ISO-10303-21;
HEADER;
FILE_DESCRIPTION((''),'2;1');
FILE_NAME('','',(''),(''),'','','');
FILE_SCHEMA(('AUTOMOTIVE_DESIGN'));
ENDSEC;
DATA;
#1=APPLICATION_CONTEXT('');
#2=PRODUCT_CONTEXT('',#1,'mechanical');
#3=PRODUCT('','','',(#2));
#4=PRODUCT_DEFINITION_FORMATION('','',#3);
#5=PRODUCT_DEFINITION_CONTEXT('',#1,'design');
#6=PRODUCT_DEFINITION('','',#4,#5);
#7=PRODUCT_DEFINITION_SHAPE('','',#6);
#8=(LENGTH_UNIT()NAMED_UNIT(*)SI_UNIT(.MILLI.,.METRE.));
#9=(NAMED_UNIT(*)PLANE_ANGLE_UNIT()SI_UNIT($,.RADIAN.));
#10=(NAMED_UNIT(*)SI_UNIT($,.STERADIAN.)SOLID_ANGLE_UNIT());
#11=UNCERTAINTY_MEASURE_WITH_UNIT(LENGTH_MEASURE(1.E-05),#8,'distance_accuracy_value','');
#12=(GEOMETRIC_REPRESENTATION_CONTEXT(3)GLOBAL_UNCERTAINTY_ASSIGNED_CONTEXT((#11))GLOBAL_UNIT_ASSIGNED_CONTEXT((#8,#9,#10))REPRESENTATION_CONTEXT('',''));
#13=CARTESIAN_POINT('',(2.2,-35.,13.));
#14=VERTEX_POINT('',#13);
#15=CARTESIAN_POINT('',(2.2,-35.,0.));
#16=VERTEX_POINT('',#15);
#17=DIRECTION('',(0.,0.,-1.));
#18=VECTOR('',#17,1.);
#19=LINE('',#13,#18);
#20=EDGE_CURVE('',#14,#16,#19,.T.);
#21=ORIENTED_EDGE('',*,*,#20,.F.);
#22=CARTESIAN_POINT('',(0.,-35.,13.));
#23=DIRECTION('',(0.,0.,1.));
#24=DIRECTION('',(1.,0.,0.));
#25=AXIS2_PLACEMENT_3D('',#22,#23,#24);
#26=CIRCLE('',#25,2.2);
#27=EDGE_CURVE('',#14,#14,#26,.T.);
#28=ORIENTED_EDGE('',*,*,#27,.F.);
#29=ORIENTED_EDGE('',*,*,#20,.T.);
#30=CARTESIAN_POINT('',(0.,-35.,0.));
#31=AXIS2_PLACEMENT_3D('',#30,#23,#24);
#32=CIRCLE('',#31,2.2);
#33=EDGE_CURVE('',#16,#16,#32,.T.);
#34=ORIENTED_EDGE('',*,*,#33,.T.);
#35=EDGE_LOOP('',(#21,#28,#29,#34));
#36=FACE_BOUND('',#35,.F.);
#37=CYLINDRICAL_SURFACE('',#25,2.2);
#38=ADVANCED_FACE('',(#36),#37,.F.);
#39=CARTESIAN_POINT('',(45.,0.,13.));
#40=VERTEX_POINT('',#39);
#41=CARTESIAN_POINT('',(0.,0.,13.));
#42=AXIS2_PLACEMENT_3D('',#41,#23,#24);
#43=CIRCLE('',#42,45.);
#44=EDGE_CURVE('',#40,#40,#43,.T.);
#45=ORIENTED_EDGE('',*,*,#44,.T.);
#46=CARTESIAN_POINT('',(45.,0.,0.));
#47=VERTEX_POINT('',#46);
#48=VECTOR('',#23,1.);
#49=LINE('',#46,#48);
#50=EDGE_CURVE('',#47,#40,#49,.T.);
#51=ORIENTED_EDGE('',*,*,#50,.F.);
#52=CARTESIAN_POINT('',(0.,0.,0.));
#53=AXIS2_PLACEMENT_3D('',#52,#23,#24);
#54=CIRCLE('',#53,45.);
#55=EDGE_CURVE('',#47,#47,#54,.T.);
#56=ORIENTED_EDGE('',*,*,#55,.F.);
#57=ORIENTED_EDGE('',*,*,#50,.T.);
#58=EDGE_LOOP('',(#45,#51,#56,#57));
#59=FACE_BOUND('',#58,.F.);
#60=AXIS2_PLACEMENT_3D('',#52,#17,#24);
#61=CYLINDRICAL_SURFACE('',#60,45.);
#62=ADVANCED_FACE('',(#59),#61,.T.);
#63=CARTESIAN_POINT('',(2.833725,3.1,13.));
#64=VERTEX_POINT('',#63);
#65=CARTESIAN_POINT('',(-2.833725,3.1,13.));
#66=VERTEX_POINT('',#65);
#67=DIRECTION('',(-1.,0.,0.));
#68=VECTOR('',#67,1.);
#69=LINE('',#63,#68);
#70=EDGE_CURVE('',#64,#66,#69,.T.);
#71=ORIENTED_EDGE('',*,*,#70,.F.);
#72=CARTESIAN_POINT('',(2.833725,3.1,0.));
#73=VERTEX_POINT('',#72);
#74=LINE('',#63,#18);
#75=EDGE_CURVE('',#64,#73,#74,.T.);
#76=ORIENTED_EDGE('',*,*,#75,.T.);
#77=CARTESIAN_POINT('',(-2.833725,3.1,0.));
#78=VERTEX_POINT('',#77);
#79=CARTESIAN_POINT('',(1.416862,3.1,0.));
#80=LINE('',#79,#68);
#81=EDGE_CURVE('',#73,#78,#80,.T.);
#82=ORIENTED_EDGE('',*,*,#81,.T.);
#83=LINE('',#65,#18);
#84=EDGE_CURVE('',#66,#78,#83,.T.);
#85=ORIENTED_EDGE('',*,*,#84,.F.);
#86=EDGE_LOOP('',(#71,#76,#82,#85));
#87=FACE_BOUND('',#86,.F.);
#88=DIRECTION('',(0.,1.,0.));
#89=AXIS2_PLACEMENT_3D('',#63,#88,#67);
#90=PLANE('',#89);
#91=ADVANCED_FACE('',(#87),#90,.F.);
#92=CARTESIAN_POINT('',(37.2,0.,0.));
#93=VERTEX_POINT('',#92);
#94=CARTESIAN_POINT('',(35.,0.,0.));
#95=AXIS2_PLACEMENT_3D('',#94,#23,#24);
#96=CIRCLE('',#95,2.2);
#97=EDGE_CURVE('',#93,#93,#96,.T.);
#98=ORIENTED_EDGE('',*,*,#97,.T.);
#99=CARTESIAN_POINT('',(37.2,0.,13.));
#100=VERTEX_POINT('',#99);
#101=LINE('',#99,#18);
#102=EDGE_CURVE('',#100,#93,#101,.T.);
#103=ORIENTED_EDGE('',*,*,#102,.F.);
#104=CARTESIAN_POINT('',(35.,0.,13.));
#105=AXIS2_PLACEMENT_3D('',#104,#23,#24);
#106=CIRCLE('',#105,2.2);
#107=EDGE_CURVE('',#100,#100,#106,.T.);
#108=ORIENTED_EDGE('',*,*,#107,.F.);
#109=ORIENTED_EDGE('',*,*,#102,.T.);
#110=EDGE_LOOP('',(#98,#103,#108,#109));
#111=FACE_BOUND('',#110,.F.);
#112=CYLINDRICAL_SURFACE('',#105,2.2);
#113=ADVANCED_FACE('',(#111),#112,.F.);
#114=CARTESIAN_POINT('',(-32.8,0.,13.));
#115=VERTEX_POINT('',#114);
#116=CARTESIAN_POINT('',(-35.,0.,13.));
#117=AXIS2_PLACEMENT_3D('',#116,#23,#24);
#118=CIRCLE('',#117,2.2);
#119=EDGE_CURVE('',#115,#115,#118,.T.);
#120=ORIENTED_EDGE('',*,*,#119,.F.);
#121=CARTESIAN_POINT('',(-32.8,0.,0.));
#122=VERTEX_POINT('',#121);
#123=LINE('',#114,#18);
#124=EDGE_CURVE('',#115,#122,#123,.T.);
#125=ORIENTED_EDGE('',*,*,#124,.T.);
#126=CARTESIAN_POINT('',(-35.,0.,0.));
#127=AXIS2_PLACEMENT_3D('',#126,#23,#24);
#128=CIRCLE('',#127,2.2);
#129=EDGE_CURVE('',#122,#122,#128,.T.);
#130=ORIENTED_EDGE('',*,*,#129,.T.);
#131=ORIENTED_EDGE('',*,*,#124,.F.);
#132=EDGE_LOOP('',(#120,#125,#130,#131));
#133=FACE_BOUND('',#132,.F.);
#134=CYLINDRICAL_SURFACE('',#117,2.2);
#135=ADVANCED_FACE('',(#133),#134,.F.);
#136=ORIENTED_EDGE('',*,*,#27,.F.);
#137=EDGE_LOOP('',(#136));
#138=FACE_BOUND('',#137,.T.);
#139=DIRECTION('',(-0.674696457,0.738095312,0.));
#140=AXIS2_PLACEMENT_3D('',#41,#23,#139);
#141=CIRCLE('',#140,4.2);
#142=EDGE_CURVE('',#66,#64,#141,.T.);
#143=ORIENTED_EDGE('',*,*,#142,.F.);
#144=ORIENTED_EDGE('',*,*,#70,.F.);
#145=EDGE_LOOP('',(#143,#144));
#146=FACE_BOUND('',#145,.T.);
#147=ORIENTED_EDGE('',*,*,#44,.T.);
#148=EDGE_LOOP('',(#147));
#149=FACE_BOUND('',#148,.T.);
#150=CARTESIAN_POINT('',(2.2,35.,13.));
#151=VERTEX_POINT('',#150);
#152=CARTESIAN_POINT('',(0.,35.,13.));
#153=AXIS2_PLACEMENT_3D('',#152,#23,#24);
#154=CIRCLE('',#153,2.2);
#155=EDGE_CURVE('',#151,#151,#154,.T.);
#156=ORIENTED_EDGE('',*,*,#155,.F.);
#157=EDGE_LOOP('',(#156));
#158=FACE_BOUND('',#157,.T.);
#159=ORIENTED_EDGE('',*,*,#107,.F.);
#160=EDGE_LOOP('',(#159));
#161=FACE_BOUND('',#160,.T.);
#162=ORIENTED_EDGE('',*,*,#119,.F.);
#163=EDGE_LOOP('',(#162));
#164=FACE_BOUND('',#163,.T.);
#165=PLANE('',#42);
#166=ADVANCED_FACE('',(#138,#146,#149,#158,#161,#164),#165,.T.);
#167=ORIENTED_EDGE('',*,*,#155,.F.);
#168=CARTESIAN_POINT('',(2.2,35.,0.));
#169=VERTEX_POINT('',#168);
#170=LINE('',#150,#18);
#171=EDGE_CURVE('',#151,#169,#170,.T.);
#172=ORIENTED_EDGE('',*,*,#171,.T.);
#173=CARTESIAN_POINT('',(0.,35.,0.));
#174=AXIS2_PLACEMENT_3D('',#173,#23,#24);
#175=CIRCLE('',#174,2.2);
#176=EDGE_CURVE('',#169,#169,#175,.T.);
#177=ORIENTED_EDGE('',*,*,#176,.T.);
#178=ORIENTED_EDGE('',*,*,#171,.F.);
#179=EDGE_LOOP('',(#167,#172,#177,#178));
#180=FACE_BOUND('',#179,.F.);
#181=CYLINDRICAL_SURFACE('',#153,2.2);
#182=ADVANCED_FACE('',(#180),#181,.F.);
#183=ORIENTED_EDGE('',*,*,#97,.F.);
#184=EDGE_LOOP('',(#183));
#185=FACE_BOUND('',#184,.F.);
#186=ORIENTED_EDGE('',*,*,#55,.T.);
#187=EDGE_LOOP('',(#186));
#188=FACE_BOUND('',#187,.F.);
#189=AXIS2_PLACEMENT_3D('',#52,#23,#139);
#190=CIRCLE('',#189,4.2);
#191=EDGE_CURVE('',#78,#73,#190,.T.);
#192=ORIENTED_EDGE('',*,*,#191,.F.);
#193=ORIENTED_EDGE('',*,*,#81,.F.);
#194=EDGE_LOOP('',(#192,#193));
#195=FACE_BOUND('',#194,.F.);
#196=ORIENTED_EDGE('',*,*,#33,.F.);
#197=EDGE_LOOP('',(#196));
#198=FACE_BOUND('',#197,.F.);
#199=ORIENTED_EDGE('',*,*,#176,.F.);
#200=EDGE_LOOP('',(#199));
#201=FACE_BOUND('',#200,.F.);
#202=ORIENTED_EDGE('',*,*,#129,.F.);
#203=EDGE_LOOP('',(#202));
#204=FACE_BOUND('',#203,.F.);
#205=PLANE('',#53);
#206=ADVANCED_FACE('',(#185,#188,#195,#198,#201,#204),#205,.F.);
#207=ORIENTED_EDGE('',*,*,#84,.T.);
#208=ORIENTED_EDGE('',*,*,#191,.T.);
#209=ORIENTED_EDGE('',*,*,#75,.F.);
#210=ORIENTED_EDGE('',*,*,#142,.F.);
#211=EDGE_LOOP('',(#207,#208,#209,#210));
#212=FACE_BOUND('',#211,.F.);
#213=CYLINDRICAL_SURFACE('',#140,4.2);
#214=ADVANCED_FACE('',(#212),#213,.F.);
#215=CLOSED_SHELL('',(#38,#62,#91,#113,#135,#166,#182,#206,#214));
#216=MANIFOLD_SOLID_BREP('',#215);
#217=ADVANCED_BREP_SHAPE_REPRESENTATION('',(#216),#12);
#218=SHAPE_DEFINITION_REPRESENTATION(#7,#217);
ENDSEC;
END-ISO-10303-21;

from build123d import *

# Parameters (mm, degrees)
F0_R     = 45
F1_DEPTH = 13
F3_DEPTH = 16
F4_R     = 2.2
F5_DEPTH = 14


with BuildPart() as f1:
    # F0 (on Top) → F1 (new body)
    with BuildSketch(Plane.XY):
        Circle(F0_R)
    extrude(amount=F1_DEPTH)

    # F2 (on face) → F3 (cut)
    with BuildSketch(Plane.XY.offset(13)):
        with BuildLine():
            Line((2.833725, 3.1), (-2.833725, 3.1))
            ThreePointArc((-2.833725, 3.1), (0, -4.2), (2.833725, 3.1))
        make_face()
    extrude(amount=-F3_DEPTH, mode=Mode.SUBTRACT)

    # F4 (on face) → F5 (cut)
    with BuildSketch(Plane.XY.offset(13)):
        with Locations((0, 35)):
            Circle(F4_R)
        with Locations((35, 0)):
            Circle(F4_R)
        with Locations((-35, 0)):
            Circle(F4_R)
        with Locations((0, -35)):
            Circle(F4_R)
    extrude(amount=-F5_DEPTH, mode=Mode.SUBTRACT)


solid = f1.part
